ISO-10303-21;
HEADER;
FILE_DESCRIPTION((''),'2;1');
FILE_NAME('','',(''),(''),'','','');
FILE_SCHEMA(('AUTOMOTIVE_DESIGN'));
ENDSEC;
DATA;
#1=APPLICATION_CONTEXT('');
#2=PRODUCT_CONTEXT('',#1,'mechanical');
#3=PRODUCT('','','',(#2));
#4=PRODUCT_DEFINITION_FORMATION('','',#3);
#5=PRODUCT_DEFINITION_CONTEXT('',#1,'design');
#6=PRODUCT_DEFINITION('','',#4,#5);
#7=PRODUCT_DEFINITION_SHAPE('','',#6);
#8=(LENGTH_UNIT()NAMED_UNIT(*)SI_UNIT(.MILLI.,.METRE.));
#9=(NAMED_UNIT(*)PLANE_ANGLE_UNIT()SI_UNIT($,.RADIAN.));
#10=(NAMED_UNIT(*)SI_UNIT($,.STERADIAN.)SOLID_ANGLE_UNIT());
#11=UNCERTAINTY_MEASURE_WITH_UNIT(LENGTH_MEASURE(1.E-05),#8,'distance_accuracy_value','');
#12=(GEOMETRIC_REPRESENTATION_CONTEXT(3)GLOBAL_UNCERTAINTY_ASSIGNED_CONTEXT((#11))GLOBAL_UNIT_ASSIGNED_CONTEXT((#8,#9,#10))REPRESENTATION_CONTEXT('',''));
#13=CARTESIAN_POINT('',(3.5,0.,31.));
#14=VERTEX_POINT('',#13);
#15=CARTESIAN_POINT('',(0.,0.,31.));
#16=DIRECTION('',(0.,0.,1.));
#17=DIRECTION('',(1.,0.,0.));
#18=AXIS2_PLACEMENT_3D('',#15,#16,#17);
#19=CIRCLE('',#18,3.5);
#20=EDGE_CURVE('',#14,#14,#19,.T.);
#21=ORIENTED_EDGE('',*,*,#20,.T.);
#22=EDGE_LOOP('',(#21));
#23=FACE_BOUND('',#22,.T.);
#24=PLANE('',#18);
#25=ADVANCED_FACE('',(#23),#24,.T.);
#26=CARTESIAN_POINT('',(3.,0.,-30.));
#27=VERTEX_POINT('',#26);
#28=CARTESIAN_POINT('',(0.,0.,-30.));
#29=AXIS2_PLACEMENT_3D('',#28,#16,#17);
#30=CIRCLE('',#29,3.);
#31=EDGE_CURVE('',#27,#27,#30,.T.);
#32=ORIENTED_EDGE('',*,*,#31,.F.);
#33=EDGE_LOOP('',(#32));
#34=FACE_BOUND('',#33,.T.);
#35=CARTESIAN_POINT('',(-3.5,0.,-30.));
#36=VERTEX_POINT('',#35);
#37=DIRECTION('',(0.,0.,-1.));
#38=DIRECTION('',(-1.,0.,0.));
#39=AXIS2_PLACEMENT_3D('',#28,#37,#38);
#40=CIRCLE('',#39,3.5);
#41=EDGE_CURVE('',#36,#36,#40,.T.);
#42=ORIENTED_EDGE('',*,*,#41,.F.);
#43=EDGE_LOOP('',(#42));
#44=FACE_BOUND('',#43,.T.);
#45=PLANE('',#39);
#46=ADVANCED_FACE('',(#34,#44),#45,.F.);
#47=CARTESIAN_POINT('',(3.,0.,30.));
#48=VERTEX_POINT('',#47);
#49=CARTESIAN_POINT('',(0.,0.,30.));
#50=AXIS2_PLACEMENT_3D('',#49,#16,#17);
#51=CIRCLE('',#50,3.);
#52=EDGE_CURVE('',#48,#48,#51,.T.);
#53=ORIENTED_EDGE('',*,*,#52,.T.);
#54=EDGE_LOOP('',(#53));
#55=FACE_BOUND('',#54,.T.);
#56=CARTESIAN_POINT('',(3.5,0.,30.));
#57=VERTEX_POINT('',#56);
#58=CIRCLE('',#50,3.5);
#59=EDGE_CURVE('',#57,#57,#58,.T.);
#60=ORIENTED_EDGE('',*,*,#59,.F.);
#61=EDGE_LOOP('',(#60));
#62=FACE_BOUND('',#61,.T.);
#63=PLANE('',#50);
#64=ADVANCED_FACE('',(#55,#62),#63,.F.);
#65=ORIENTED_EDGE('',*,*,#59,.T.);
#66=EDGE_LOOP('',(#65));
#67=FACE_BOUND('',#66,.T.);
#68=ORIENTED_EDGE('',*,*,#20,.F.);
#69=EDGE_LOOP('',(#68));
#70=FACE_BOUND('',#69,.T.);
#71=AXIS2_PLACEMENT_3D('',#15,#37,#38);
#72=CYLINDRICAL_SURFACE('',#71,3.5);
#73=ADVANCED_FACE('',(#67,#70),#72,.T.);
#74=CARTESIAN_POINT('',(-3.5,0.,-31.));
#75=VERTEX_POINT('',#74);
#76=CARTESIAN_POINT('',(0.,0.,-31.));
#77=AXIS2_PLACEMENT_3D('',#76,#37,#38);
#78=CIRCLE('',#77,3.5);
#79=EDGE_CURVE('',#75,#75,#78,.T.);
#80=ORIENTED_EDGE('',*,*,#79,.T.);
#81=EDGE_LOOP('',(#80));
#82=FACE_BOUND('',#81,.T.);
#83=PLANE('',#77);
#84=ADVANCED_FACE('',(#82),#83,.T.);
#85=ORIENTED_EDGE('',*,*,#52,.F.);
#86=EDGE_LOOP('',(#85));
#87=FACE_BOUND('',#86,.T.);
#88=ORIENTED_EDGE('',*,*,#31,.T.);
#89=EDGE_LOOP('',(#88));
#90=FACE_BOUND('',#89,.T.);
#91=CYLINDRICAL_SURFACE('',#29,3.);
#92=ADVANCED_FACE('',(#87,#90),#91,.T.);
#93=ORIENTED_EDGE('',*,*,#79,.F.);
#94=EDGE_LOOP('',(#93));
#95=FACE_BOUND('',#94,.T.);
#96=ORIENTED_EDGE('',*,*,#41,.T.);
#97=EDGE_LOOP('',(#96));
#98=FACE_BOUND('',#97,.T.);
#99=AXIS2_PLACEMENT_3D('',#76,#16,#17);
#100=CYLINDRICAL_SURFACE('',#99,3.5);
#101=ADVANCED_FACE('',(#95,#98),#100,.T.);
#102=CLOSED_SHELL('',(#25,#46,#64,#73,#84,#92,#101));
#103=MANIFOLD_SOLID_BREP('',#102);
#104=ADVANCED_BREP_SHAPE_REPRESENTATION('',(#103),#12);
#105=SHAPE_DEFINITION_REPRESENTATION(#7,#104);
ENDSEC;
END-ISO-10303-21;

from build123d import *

# Parameters (mm, degrees)
BOSS_EXTRUDE1_DEPTH      = 30
BOSS_EXTRUDE1_DEPTH_BACK = 30
SKETCH1_R                = 3
SKETCH2_R                = 3.5
BOSS_EXTRUDE2_DEPTH      = 1
BOSS_EXTRUDE3_START      = 1
SKETCH3_R                = 3.5
BOSS_EXTRUDE3_DEPTH      = 1


with BuildPart() as part:
    # Sketch1 → Boss-Extrude1 (new, two sides: drawn at the far end of the back side and taken through both)
    with BuildSketch(Plane.XY.offset(-BOSS_EXTRUDE1_DEPTH_BACK)):
        Circle(SKETCH1_R)
    extrude(amount=BOSS_EXTRUDE1_DEPTH + BOSS_EXTRUDE1_DEPTH_BACK)

    # Sketch2 → Boss-Extrude2 (add)
    with BuildSketch(Plane.XY.offset(30)):
        Circle(SKETCH2_R)
    extrude(amount=BOSS_EXTRUDE2_DEPTH)

    # Sketch3 → Boss-Extrude3 (add)
    with BuildSketch(Plane(origin=(0, 0, -30), x_dir=(-1, 0, 0), z_dir=(0, 0, -1)).offset(BOSS_EXTRUDE3_START)):
        Circle(SKETCH3_R)
    extrude(amount=-BOSS_EXTRUDE3_DEPTH)


solid = part.part
